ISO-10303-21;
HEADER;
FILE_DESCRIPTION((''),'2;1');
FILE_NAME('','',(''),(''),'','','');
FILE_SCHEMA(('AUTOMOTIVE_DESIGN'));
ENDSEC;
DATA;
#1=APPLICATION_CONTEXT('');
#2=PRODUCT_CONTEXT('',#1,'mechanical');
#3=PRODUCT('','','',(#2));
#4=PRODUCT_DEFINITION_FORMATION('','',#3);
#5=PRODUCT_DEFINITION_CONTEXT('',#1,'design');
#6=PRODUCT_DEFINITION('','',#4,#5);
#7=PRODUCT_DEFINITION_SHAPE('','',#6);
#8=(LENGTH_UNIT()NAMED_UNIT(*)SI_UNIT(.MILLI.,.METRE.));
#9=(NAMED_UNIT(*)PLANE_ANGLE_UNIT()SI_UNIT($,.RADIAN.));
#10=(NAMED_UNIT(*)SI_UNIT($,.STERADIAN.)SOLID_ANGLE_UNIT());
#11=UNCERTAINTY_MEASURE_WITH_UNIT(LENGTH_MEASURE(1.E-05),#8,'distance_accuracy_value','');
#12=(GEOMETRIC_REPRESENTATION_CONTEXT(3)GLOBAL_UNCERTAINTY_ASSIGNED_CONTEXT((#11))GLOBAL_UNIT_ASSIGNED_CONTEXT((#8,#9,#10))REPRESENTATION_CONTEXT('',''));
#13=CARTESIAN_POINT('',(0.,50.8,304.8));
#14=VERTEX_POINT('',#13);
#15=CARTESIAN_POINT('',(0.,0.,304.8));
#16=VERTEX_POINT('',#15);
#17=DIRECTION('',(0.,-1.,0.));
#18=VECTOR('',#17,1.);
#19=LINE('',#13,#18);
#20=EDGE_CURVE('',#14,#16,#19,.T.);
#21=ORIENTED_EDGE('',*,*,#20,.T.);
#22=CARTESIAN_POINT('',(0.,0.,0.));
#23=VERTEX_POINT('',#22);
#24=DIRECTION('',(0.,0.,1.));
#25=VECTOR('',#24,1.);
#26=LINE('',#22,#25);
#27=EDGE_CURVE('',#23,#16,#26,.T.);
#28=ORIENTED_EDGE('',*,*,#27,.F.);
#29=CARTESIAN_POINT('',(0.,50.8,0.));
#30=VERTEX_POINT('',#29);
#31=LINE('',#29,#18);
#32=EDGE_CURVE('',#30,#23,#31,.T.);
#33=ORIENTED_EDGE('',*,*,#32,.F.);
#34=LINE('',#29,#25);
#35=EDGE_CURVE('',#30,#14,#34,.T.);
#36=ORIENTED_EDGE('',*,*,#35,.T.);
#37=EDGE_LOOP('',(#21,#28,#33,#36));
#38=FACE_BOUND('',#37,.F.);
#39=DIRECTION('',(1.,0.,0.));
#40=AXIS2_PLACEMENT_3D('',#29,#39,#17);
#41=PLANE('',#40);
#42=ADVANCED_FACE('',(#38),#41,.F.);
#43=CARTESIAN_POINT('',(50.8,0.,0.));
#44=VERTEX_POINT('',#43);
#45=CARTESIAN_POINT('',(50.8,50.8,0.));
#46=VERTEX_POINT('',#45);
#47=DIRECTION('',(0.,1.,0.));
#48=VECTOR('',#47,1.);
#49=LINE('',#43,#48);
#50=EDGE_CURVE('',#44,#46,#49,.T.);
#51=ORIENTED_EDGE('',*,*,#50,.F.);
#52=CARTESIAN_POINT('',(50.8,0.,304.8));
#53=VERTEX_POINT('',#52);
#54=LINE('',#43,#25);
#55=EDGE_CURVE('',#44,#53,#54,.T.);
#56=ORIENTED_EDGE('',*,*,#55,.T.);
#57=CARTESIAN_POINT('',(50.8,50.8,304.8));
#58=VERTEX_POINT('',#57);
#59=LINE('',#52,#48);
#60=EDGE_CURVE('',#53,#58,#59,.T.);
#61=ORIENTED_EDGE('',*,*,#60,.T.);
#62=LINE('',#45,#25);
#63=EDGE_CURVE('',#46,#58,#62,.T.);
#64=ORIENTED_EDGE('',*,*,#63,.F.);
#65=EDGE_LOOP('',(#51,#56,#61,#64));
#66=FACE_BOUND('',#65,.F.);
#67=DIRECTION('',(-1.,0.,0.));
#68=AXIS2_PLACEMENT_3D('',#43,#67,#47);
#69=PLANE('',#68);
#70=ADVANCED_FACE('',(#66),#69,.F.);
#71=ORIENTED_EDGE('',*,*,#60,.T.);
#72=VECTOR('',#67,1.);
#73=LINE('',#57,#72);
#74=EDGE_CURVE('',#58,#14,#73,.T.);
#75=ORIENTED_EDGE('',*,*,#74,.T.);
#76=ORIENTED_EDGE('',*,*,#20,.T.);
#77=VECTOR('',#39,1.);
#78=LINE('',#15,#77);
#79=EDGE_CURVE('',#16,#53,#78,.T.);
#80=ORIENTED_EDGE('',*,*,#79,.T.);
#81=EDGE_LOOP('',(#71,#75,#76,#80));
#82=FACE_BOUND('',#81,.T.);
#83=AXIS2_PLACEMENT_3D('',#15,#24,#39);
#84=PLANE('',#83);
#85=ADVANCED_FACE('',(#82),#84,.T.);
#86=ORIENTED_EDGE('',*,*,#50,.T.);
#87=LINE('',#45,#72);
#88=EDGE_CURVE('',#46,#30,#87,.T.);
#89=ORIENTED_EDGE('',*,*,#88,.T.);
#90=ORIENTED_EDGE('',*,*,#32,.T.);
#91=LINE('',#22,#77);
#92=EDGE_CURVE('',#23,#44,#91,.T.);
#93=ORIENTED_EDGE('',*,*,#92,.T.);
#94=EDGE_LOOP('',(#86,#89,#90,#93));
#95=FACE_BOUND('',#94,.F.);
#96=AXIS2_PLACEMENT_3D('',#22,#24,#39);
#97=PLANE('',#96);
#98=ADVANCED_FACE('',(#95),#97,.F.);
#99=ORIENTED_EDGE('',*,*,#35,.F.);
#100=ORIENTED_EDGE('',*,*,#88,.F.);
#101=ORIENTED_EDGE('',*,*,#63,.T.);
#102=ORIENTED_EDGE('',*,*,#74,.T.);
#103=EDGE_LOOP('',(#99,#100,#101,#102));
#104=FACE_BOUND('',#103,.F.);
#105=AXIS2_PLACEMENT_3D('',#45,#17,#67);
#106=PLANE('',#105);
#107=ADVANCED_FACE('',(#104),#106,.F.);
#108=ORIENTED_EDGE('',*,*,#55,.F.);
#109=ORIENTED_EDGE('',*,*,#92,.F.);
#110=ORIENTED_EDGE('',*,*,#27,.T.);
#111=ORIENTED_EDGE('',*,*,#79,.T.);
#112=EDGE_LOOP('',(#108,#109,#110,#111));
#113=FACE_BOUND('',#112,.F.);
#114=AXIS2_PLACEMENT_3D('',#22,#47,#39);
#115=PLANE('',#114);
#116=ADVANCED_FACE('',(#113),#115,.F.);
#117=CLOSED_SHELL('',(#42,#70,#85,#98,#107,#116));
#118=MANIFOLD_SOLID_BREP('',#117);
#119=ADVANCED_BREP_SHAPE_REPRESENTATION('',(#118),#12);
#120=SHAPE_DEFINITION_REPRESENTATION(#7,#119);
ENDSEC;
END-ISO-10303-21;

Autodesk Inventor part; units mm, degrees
ref_plane "YZ Plane" through (0, 0, 0) normal (1, 0, 0) x (0, 1, 0)
ref_plane "XZ Plane" through (0, 0, 0) normal (0, 1, 0) x (-1, 0, 0)
ref_plane "XY Plane" through (0, 0, 0) normal (0, 0, 1) x (1, 0, 0)
sketch "Sketch1" plane through (0, 0, 0) normal (0, 0, 1) x (1, 0, 0)
  line L0 (0, 0) -> (50.8, 0)
  line L1 (50.8, 0) -> (50.8, 50.8)
  line L2 (50.8, 50.8) -> (0, 50.8)
  line L3 (0, 50.8) -> (0, 0)
  dimension "d0" = 50.8
  dimension "d1" = 50.8
extrude "Extrusion1" add sketch "Sketch1" along normal blind 304.8
properties part number "outlineslides"
